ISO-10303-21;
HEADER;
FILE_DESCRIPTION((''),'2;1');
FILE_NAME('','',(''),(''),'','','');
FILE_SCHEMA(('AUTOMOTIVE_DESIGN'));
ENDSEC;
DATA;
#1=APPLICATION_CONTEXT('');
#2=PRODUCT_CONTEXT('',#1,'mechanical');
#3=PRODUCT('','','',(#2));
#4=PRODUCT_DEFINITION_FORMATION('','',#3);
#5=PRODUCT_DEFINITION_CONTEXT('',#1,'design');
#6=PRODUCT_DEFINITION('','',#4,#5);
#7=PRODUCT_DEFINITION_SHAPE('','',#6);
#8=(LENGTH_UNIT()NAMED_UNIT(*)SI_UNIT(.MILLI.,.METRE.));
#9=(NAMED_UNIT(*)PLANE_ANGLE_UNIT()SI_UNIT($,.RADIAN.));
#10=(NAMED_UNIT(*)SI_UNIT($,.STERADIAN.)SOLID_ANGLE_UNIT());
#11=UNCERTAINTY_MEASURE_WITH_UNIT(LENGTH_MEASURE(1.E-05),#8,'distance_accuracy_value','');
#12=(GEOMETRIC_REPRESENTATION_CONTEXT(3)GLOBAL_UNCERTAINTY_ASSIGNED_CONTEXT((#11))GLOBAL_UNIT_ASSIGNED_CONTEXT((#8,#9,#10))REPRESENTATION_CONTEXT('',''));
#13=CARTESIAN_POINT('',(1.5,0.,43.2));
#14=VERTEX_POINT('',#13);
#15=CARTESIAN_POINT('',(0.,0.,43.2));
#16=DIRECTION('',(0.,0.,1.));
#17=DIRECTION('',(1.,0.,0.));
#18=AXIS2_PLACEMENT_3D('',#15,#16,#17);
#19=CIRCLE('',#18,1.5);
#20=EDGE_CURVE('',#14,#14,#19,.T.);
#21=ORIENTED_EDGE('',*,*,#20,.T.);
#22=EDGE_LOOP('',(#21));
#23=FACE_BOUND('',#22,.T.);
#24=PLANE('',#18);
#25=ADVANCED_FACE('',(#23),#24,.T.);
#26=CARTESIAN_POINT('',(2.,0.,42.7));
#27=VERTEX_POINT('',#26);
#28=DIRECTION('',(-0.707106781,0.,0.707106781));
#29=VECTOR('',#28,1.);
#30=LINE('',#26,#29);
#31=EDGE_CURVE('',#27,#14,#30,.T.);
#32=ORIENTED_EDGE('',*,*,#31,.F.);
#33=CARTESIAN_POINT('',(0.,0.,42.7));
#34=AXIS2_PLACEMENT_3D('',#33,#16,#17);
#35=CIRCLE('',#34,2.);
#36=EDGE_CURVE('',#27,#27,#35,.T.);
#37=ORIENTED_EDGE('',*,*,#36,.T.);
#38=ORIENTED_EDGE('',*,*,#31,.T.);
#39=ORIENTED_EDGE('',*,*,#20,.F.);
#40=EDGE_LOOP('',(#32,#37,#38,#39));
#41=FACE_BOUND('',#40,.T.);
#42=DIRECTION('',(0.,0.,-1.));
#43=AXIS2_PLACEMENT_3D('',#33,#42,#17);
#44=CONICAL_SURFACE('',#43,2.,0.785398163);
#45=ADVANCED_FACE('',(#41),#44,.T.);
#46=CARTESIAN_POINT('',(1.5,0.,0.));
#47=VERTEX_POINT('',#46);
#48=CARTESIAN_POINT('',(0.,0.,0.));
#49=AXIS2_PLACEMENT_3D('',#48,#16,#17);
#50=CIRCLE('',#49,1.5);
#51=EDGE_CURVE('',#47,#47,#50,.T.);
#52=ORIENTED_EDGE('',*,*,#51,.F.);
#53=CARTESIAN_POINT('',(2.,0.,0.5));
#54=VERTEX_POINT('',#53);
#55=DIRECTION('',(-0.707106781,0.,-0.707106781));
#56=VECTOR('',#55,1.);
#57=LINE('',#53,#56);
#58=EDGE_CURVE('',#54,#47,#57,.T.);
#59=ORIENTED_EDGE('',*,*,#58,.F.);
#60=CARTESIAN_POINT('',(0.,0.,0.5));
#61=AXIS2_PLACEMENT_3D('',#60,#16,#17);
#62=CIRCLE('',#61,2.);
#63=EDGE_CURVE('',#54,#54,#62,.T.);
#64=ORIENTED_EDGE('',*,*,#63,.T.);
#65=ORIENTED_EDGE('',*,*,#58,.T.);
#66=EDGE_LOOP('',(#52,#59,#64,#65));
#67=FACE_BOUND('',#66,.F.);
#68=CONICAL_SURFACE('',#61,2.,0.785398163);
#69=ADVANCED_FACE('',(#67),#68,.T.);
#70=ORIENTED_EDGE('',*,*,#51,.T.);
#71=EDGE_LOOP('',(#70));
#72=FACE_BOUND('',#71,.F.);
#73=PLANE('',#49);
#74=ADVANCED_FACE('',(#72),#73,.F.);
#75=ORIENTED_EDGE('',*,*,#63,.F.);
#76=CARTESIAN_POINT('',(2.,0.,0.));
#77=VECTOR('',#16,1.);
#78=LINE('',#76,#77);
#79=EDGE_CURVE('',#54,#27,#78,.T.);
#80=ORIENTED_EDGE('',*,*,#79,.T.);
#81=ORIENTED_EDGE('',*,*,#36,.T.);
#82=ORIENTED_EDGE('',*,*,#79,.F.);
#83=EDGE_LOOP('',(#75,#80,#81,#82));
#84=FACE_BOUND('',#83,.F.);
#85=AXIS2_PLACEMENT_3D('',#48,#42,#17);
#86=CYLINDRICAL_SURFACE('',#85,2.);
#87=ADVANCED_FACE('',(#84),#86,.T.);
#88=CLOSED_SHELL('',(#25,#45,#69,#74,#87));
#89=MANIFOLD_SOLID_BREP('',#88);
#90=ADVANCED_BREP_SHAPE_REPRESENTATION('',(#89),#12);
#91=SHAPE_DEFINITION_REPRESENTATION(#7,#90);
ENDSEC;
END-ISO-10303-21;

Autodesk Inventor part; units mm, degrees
ref_plane "YZ Plane" through (0, 0, 0) normal (1, 0, 0) x (0, 1, 0)
ref_plane "XZ Plane" through (0, 0, 0) normal (0, 1, 0) x (-1, 0, 0)
ref_plane "XY Plane" through (0, 0, 0) normal (0, 0, 1) x (1, 0, 0)
sketch "Skizze1" plane through (0, 0, 0) normal (0, 0, 1) x (1, 0, 0)
  circle A0 centre (0, 0) radius 2
  dimension "d0" = 4
extrude "Extrusion1" add sketch "Skizze1" along normal blind 43.2
chamfer "Fase1" distance 0.5 angle 45 2 edges at (-2, 0, 0) (-2, 0, 43.2)
properties part number "HarmonicDrive-Axis"
